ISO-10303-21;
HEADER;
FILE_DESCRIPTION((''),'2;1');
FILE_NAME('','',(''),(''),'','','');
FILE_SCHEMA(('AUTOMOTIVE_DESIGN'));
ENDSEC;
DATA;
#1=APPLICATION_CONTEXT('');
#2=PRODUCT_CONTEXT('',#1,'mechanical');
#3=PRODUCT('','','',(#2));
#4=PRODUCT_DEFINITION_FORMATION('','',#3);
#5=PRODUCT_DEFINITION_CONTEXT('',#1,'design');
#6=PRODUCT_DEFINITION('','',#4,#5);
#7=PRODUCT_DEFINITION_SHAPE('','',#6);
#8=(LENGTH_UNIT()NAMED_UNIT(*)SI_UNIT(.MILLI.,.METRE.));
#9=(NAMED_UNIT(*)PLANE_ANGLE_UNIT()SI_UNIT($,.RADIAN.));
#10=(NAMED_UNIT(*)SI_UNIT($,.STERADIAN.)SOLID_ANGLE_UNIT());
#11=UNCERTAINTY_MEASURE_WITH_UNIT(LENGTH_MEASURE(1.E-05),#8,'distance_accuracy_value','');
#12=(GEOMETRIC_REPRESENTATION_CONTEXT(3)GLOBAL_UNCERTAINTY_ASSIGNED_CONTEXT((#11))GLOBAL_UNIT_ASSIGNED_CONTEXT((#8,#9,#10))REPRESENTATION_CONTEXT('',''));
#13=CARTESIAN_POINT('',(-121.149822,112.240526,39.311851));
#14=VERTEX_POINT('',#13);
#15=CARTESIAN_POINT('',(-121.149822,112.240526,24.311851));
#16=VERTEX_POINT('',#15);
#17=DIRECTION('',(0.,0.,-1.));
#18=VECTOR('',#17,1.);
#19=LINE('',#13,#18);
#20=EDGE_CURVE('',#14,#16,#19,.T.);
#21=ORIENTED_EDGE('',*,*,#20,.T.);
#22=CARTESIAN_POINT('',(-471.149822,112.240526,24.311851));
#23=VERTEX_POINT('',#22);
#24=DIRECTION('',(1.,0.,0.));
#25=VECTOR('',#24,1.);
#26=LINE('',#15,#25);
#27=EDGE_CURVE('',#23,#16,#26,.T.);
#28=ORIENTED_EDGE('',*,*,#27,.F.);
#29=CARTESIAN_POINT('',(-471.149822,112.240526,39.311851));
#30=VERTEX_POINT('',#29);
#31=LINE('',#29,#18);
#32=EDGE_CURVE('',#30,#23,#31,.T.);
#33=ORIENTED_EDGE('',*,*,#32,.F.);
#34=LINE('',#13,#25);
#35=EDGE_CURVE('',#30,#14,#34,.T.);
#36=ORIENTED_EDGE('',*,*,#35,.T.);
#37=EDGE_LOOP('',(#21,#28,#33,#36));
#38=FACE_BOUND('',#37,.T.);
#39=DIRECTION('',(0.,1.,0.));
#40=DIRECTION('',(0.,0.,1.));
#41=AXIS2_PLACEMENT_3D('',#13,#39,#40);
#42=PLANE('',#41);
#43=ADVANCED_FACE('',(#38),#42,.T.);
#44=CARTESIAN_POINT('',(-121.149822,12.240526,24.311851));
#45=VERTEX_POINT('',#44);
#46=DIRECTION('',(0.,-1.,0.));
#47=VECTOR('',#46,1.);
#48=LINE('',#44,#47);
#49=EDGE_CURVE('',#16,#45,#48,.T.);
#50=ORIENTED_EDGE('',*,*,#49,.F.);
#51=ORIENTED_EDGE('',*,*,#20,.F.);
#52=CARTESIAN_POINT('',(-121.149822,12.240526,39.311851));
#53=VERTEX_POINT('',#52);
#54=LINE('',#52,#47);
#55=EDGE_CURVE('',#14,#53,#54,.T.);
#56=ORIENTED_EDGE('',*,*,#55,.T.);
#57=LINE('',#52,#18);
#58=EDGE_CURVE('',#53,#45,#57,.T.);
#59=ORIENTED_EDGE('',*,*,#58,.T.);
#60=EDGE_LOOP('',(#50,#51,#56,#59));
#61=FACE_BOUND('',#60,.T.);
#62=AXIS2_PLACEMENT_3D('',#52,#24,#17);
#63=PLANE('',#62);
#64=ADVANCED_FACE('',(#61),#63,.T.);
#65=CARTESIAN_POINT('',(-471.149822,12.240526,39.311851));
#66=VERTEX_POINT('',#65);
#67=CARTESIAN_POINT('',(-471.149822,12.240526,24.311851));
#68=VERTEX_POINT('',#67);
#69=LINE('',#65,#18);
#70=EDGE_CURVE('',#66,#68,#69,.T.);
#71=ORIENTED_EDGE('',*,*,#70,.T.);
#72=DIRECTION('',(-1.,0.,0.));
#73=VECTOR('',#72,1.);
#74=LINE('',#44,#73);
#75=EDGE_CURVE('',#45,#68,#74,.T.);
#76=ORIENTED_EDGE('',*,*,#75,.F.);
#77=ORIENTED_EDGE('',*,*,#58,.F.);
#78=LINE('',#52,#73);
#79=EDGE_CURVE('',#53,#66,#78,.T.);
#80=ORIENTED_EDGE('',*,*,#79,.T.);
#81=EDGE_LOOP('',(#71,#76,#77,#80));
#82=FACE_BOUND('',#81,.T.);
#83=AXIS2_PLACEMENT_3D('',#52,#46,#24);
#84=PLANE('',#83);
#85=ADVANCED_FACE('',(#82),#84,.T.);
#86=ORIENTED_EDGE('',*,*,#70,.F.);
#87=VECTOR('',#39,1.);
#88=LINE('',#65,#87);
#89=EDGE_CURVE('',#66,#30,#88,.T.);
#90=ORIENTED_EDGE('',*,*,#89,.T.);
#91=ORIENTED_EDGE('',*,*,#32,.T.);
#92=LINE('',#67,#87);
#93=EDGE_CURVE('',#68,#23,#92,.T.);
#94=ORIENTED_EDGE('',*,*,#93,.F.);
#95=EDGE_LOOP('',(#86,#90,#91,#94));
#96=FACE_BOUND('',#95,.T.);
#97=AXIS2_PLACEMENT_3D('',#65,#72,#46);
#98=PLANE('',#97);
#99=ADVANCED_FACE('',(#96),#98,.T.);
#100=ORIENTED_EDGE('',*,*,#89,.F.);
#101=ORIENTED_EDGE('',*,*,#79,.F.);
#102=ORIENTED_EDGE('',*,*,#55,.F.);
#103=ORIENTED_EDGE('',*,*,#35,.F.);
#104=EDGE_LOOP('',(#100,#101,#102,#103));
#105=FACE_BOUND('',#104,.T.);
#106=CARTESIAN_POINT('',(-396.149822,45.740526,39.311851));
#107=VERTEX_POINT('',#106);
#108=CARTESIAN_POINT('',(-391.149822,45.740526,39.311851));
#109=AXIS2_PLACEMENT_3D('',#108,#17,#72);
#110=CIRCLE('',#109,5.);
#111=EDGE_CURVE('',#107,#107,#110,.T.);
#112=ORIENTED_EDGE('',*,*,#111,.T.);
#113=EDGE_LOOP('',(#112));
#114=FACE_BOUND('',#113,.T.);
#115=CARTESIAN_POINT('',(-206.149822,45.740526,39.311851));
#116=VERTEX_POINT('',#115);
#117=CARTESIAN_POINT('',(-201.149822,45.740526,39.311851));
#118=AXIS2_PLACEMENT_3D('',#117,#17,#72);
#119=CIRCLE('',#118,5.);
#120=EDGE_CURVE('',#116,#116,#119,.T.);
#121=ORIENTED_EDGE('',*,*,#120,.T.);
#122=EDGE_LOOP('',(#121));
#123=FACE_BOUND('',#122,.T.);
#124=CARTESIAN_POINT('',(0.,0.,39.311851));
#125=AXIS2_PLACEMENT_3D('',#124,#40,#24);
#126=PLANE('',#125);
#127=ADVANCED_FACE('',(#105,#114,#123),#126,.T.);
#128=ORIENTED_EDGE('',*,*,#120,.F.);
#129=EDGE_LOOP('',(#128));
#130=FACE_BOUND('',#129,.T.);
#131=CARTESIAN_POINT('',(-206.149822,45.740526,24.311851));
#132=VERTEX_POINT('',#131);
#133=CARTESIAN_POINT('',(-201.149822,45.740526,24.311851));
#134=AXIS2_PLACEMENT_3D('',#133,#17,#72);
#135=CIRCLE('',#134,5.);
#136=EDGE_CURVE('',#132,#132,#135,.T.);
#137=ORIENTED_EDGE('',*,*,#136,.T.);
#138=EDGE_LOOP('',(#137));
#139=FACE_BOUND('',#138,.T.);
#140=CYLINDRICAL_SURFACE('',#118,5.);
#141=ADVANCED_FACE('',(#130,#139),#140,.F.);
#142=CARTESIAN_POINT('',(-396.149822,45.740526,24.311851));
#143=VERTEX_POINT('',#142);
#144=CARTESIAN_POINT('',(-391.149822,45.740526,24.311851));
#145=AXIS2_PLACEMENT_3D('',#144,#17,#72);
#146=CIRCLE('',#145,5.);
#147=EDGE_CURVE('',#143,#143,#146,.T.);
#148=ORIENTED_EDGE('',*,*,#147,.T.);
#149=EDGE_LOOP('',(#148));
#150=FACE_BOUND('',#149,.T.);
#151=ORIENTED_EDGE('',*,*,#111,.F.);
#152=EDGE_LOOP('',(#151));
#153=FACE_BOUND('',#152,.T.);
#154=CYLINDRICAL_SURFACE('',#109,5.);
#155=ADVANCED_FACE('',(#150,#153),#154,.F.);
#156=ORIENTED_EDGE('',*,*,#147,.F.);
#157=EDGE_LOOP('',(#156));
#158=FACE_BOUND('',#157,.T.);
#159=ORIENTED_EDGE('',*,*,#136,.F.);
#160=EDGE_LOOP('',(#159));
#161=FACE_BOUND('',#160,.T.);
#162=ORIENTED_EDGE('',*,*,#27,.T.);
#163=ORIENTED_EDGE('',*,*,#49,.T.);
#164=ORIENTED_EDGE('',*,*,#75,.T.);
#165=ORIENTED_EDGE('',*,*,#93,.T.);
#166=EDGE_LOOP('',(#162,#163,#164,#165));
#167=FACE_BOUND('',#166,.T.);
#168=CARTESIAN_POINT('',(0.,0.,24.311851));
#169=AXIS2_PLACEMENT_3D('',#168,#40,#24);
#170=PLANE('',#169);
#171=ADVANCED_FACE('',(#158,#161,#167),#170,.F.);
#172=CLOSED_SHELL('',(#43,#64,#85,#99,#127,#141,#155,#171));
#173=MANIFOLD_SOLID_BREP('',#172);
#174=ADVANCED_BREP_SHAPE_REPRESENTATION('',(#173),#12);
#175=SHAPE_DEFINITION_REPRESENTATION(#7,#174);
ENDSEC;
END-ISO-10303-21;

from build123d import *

# Parameters (mm, degrees)
SKETCH2_W           = 350
SKETCH2_H           = 100
SKETCH2_R           = 5
BOSS_EXTRUDE1_DEPTH = 15


with BuildPart() as part:
    # Sketch2 → Boss-Extrude1 (new body)
    with BuildSketch(Plane(origin=(0, 0, 24.311850572), x_dir=(-1, 0, 0), z_dir=(0, 0, -1))):
        with Locations((296.149822386, 62.240526096)):
            Rectangle(SKETCH2_W, SKETCH2_H)
        with Locations((201.149822386, 45.740526096)):
            Circle(SKETCH2_R, mode=Mode.SUBTRACT)
        with Locations((391.149822386, 45.740526096)):
            Circle(SKETCH2_R, mode=Mode.SUBTRACT)
    extrude(amount=-BOSS_EXTRUDE1_DEPTH)


solid = part.part
